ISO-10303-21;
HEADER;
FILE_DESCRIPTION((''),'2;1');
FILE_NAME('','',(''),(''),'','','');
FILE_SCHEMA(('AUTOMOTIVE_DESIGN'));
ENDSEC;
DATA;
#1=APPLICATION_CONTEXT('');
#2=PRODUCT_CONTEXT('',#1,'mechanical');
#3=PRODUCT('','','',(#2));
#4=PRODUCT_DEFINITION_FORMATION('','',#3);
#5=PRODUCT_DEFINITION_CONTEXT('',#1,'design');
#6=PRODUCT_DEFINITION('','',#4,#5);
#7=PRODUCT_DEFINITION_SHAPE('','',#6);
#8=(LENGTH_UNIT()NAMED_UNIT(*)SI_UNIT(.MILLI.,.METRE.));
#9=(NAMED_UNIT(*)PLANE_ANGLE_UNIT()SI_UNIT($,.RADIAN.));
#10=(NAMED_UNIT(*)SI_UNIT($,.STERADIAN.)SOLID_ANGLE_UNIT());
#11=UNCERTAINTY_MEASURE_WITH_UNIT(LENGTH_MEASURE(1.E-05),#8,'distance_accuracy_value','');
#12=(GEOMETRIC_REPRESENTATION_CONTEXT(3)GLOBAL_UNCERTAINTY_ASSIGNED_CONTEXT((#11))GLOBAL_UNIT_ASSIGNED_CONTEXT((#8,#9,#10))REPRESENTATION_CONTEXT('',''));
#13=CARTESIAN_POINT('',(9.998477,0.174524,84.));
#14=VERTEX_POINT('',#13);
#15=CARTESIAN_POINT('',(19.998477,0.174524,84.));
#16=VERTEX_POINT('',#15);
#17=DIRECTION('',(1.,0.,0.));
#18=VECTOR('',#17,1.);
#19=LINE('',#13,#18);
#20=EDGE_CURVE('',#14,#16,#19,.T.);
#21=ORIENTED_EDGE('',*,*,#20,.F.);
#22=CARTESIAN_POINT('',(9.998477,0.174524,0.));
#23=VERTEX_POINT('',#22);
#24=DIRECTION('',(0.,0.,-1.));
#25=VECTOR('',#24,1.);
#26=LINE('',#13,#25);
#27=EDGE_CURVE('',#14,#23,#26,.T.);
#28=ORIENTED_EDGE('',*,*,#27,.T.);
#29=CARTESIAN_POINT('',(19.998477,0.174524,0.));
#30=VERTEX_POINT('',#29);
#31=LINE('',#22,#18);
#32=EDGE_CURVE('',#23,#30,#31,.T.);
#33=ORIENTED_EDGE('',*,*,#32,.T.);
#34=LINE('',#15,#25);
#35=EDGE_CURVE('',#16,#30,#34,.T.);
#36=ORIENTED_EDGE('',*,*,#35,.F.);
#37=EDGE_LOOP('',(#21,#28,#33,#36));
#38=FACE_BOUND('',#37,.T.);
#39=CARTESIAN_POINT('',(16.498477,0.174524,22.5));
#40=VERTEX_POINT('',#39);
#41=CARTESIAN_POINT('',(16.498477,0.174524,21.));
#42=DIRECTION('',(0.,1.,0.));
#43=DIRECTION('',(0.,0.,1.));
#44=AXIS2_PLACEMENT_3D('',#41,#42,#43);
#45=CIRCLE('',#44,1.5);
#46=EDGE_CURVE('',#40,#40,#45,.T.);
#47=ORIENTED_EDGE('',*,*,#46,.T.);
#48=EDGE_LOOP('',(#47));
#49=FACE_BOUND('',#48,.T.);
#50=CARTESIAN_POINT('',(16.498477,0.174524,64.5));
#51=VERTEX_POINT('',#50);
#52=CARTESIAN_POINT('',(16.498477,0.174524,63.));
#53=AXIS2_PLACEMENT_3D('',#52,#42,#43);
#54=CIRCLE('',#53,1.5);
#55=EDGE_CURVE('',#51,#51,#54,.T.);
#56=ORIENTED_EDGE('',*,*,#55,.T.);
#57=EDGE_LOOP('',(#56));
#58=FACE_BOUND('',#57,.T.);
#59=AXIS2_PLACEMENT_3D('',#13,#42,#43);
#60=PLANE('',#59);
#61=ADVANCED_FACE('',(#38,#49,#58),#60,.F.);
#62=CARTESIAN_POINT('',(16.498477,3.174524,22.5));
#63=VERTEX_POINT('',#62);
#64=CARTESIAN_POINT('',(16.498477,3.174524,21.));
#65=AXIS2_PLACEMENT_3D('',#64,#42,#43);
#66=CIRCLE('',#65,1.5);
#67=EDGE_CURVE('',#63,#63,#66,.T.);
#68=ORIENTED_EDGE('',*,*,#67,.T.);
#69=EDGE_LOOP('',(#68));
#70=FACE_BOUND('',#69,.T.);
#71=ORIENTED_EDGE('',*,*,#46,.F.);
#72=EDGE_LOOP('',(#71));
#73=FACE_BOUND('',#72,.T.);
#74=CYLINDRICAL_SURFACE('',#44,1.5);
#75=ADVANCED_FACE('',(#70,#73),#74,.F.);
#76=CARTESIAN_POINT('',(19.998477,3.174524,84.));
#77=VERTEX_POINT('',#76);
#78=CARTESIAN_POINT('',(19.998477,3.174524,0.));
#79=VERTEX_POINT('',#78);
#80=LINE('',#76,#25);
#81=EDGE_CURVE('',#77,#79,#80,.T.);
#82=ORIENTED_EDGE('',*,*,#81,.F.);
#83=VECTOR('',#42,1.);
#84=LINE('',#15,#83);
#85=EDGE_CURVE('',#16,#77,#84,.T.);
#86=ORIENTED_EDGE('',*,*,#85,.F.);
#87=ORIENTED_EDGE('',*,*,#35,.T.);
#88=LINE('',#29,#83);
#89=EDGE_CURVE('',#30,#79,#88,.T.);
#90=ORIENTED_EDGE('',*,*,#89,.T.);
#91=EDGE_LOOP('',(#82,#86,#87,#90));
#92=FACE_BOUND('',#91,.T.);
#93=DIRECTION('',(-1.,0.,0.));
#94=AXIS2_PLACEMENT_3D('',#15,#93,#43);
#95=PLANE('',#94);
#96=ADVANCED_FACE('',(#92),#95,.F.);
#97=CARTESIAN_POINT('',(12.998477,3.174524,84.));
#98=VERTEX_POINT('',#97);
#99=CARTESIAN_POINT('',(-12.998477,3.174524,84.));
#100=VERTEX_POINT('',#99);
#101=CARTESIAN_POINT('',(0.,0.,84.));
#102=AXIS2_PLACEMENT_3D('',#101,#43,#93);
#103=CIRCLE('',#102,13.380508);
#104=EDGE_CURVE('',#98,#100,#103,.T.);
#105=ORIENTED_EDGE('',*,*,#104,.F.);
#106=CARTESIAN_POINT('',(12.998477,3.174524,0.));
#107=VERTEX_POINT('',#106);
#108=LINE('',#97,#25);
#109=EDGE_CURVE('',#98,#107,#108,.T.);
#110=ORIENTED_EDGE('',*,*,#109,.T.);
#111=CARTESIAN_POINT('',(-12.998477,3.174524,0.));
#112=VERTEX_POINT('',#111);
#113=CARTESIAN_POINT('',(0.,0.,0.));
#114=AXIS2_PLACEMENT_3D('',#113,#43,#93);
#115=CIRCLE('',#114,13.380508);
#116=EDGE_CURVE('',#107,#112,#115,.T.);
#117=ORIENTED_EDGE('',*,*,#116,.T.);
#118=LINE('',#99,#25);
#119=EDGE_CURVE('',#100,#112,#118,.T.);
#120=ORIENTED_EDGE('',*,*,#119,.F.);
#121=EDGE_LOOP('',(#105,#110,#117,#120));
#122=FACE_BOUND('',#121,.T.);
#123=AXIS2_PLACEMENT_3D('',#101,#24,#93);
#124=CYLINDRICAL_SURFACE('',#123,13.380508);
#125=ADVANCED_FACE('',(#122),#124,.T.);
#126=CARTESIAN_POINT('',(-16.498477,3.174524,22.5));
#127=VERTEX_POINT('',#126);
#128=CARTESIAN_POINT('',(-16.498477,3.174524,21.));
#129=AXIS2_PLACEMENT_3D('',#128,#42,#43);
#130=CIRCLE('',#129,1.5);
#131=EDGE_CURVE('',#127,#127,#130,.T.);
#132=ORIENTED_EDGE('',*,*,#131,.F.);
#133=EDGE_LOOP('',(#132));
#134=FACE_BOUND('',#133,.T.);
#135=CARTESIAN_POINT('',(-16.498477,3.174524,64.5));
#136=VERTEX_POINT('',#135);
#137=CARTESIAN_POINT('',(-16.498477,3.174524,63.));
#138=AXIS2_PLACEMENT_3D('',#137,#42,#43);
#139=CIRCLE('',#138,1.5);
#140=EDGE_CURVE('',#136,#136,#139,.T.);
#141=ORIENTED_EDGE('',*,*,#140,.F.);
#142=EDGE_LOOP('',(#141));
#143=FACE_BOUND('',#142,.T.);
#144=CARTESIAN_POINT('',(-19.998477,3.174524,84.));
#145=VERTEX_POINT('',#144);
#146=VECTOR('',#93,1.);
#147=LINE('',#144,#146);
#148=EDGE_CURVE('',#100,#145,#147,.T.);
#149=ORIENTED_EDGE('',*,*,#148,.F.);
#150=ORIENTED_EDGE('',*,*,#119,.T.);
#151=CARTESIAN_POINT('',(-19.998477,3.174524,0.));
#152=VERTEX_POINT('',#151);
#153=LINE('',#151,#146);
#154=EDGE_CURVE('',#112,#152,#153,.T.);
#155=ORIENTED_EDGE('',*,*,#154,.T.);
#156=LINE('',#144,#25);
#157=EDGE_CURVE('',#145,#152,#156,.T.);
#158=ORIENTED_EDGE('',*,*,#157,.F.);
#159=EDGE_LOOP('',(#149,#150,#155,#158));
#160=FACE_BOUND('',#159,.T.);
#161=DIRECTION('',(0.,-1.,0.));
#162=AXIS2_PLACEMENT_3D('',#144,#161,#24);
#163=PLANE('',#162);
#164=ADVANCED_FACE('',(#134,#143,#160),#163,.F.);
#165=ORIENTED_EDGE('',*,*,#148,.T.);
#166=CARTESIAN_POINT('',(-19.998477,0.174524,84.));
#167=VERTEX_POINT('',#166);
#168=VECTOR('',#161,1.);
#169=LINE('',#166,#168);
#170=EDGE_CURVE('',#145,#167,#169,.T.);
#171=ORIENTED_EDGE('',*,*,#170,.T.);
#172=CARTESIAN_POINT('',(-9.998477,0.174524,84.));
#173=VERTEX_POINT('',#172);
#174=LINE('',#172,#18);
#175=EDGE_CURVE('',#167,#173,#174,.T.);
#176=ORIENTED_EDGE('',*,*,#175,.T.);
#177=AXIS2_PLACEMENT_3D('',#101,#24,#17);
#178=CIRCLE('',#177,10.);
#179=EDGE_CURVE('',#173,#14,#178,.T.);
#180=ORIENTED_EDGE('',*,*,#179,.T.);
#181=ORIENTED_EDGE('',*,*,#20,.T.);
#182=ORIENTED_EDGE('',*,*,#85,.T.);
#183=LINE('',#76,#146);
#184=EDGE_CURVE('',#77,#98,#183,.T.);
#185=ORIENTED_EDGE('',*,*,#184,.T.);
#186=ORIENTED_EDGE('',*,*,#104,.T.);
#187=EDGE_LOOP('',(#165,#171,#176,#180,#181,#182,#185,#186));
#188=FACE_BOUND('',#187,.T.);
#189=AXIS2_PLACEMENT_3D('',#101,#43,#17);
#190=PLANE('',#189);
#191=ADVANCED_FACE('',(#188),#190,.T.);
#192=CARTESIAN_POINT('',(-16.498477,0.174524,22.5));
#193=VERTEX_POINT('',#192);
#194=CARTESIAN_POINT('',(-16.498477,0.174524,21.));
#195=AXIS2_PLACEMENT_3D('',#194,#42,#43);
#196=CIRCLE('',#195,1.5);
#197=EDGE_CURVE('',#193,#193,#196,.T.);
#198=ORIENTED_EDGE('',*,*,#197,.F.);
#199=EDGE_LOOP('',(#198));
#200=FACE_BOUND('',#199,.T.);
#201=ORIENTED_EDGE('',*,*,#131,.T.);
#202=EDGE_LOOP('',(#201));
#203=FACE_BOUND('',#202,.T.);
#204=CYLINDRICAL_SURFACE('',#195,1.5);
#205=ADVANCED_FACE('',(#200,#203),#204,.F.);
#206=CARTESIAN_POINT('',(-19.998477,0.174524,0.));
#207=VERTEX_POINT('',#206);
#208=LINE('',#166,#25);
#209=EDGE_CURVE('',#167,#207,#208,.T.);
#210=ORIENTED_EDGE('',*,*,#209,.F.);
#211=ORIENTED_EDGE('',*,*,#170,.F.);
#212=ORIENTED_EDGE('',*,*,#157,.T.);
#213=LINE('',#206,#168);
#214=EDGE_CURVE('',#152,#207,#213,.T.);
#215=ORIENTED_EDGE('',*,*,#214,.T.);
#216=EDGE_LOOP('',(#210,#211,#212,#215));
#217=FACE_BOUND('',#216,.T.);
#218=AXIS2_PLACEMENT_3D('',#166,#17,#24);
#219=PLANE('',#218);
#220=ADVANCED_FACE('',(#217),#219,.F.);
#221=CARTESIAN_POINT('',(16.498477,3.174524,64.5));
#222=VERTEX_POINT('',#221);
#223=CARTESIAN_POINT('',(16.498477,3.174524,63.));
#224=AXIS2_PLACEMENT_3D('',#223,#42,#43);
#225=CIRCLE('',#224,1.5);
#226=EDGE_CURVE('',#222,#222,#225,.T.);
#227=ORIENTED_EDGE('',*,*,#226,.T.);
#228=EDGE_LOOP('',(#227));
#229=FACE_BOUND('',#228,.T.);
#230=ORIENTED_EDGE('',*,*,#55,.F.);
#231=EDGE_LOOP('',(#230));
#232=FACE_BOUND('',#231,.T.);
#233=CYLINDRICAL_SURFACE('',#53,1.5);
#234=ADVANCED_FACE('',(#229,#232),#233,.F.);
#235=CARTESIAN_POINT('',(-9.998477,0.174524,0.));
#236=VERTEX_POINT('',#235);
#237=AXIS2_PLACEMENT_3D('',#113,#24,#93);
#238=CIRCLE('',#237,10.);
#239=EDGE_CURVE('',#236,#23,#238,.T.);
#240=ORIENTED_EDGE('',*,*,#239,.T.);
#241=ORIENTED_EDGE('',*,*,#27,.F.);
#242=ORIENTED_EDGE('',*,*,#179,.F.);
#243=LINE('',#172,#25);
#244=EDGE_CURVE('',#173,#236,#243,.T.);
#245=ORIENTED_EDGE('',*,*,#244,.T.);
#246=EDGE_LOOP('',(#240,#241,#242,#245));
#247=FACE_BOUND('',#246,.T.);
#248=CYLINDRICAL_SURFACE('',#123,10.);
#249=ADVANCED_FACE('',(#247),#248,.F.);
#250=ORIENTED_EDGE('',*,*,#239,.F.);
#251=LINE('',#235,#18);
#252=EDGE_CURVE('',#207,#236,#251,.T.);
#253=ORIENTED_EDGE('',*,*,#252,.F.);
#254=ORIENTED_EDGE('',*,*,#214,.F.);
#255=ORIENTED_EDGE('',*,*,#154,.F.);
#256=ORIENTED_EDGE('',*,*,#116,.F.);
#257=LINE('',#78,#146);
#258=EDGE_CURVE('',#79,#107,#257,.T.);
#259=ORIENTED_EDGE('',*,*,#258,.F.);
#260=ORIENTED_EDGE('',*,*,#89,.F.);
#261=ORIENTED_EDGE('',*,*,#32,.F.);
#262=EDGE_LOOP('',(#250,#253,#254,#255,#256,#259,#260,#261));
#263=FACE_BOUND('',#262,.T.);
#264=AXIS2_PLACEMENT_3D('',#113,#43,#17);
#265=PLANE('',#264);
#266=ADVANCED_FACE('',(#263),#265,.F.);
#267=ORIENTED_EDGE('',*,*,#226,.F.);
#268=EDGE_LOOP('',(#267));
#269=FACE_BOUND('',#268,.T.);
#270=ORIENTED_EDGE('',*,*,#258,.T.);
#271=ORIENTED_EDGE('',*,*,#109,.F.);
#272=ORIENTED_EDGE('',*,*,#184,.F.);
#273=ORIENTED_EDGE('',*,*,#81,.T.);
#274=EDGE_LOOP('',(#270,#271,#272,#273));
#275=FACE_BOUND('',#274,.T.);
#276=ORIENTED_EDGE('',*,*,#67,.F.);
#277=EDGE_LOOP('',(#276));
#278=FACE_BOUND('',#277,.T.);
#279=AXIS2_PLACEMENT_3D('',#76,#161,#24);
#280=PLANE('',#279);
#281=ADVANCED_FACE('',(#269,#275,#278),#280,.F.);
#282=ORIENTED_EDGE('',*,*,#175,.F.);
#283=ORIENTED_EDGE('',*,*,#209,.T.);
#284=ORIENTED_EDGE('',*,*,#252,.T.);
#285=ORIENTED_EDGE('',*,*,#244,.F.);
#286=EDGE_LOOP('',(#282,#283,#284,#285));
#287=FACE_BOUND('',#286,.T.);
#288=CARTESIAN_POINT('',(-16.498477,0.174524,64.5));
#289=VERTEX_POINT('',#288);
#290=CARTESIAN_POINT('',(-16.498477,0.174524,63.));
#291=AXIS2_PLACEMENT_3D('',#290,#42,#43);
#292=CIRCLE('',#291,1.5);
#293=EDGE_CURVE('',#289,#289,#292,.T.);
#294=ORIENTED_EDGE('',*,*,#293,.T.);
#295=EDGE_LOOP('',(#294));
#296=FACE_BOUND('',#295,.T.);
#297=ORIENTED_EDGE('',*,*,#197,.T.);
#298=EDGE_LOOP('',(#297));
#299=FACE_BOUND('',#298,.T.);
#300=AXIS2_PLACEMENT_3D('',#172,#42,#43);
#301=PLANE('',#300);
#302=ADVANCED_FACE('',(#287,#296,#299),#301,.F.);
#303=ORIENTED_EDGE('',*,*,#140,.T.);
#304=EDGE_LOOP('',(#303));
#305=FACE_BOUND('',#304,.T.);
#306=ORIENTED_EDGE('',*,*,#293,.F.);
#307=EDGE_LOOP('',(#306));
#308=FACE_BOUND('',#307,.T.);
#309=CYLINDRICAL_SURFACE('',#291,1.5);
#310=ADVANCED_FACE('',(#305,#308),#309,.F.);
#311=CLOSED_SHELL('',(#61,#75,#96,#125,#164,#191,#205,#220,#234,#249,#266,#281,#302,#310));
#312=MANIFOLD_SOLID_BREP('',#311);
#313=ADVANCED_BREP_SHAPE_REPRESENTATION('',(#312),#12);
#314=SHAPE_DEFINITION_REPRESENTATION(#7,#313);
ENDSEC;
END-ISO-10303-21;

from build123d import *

# Parameters (mm, degrees)
EXTRUDE_1_DEPTH     = 84
SKETCH_2_R          = 1.5
CUT_EXTRUDE_1_DEPTH = 87.948842416


with BuildPart() as part:
    # Эскиз1 → Бобышка-Вытянуть1 (new body)
    with BuildSketch(Plane.XY):
        with BuildLine():
            Line((-9.998476952, 0.174524064), (-19.998476952, 0.174524064))
            Line((-19.998476952, 0.174524064), (-19.998476952, 3.174524064))
            Line((-19.998476952, 3.174524064), (-12.998476952, 3.174524064))
            ThreePointArc((-12.998476952, 3.174524064), (0, 13.380508439), (12.998476952, 3.174524064))
            Line((12.998476952, 3.174524064), (19.998476952, 3.174524064))
            Line((19.998476952, 3.174524064), (19.998476952, 0.174524064))
            Line((19.998476952, 0.174524064), (9.998476952, 0.174524064))
            ThreePointArc((9.998476952, 0.174524064), (7.009092643, 7.132504492), (0, 10))
            ThreePointArc((0, 10), (-7.009092643, 7.132504492), (-9.998476952, 0.174524064))
        make_face()
    extrude(amount=EXTRUDE_1_DEPTH)

    # Эскиз2 → Вырез-Вытянуть1 (cut, through all)
    with BuildSketch(Plane(origin=(0, 3.174524064, 0), x_dir=(1, 0, 0), z_dir=(0, 1, 0))):
        with Locations(Location((-16.498476952, -21, 0), (0, 0, 270))):
            Circle(SKETCH_2_R)
        with Locations(Location((-16.498476952, -63, 0), (0, 0, 270))):
            Circle(SKETCH_2_R)
        with Locations(Location((16.498476952, -21, 0), (0, 0, 270))):
            Circle(SKETCH_2_R)
        with Locations(Location((16.498476952, -63, 0), (0, 0, 270))):
            Circle(SKETCH_2_R)
    extrude(amount=-CUT_EXTRUDE_1_DEPTH, mode=Mode.SUBTRACT)


solid = part.part
